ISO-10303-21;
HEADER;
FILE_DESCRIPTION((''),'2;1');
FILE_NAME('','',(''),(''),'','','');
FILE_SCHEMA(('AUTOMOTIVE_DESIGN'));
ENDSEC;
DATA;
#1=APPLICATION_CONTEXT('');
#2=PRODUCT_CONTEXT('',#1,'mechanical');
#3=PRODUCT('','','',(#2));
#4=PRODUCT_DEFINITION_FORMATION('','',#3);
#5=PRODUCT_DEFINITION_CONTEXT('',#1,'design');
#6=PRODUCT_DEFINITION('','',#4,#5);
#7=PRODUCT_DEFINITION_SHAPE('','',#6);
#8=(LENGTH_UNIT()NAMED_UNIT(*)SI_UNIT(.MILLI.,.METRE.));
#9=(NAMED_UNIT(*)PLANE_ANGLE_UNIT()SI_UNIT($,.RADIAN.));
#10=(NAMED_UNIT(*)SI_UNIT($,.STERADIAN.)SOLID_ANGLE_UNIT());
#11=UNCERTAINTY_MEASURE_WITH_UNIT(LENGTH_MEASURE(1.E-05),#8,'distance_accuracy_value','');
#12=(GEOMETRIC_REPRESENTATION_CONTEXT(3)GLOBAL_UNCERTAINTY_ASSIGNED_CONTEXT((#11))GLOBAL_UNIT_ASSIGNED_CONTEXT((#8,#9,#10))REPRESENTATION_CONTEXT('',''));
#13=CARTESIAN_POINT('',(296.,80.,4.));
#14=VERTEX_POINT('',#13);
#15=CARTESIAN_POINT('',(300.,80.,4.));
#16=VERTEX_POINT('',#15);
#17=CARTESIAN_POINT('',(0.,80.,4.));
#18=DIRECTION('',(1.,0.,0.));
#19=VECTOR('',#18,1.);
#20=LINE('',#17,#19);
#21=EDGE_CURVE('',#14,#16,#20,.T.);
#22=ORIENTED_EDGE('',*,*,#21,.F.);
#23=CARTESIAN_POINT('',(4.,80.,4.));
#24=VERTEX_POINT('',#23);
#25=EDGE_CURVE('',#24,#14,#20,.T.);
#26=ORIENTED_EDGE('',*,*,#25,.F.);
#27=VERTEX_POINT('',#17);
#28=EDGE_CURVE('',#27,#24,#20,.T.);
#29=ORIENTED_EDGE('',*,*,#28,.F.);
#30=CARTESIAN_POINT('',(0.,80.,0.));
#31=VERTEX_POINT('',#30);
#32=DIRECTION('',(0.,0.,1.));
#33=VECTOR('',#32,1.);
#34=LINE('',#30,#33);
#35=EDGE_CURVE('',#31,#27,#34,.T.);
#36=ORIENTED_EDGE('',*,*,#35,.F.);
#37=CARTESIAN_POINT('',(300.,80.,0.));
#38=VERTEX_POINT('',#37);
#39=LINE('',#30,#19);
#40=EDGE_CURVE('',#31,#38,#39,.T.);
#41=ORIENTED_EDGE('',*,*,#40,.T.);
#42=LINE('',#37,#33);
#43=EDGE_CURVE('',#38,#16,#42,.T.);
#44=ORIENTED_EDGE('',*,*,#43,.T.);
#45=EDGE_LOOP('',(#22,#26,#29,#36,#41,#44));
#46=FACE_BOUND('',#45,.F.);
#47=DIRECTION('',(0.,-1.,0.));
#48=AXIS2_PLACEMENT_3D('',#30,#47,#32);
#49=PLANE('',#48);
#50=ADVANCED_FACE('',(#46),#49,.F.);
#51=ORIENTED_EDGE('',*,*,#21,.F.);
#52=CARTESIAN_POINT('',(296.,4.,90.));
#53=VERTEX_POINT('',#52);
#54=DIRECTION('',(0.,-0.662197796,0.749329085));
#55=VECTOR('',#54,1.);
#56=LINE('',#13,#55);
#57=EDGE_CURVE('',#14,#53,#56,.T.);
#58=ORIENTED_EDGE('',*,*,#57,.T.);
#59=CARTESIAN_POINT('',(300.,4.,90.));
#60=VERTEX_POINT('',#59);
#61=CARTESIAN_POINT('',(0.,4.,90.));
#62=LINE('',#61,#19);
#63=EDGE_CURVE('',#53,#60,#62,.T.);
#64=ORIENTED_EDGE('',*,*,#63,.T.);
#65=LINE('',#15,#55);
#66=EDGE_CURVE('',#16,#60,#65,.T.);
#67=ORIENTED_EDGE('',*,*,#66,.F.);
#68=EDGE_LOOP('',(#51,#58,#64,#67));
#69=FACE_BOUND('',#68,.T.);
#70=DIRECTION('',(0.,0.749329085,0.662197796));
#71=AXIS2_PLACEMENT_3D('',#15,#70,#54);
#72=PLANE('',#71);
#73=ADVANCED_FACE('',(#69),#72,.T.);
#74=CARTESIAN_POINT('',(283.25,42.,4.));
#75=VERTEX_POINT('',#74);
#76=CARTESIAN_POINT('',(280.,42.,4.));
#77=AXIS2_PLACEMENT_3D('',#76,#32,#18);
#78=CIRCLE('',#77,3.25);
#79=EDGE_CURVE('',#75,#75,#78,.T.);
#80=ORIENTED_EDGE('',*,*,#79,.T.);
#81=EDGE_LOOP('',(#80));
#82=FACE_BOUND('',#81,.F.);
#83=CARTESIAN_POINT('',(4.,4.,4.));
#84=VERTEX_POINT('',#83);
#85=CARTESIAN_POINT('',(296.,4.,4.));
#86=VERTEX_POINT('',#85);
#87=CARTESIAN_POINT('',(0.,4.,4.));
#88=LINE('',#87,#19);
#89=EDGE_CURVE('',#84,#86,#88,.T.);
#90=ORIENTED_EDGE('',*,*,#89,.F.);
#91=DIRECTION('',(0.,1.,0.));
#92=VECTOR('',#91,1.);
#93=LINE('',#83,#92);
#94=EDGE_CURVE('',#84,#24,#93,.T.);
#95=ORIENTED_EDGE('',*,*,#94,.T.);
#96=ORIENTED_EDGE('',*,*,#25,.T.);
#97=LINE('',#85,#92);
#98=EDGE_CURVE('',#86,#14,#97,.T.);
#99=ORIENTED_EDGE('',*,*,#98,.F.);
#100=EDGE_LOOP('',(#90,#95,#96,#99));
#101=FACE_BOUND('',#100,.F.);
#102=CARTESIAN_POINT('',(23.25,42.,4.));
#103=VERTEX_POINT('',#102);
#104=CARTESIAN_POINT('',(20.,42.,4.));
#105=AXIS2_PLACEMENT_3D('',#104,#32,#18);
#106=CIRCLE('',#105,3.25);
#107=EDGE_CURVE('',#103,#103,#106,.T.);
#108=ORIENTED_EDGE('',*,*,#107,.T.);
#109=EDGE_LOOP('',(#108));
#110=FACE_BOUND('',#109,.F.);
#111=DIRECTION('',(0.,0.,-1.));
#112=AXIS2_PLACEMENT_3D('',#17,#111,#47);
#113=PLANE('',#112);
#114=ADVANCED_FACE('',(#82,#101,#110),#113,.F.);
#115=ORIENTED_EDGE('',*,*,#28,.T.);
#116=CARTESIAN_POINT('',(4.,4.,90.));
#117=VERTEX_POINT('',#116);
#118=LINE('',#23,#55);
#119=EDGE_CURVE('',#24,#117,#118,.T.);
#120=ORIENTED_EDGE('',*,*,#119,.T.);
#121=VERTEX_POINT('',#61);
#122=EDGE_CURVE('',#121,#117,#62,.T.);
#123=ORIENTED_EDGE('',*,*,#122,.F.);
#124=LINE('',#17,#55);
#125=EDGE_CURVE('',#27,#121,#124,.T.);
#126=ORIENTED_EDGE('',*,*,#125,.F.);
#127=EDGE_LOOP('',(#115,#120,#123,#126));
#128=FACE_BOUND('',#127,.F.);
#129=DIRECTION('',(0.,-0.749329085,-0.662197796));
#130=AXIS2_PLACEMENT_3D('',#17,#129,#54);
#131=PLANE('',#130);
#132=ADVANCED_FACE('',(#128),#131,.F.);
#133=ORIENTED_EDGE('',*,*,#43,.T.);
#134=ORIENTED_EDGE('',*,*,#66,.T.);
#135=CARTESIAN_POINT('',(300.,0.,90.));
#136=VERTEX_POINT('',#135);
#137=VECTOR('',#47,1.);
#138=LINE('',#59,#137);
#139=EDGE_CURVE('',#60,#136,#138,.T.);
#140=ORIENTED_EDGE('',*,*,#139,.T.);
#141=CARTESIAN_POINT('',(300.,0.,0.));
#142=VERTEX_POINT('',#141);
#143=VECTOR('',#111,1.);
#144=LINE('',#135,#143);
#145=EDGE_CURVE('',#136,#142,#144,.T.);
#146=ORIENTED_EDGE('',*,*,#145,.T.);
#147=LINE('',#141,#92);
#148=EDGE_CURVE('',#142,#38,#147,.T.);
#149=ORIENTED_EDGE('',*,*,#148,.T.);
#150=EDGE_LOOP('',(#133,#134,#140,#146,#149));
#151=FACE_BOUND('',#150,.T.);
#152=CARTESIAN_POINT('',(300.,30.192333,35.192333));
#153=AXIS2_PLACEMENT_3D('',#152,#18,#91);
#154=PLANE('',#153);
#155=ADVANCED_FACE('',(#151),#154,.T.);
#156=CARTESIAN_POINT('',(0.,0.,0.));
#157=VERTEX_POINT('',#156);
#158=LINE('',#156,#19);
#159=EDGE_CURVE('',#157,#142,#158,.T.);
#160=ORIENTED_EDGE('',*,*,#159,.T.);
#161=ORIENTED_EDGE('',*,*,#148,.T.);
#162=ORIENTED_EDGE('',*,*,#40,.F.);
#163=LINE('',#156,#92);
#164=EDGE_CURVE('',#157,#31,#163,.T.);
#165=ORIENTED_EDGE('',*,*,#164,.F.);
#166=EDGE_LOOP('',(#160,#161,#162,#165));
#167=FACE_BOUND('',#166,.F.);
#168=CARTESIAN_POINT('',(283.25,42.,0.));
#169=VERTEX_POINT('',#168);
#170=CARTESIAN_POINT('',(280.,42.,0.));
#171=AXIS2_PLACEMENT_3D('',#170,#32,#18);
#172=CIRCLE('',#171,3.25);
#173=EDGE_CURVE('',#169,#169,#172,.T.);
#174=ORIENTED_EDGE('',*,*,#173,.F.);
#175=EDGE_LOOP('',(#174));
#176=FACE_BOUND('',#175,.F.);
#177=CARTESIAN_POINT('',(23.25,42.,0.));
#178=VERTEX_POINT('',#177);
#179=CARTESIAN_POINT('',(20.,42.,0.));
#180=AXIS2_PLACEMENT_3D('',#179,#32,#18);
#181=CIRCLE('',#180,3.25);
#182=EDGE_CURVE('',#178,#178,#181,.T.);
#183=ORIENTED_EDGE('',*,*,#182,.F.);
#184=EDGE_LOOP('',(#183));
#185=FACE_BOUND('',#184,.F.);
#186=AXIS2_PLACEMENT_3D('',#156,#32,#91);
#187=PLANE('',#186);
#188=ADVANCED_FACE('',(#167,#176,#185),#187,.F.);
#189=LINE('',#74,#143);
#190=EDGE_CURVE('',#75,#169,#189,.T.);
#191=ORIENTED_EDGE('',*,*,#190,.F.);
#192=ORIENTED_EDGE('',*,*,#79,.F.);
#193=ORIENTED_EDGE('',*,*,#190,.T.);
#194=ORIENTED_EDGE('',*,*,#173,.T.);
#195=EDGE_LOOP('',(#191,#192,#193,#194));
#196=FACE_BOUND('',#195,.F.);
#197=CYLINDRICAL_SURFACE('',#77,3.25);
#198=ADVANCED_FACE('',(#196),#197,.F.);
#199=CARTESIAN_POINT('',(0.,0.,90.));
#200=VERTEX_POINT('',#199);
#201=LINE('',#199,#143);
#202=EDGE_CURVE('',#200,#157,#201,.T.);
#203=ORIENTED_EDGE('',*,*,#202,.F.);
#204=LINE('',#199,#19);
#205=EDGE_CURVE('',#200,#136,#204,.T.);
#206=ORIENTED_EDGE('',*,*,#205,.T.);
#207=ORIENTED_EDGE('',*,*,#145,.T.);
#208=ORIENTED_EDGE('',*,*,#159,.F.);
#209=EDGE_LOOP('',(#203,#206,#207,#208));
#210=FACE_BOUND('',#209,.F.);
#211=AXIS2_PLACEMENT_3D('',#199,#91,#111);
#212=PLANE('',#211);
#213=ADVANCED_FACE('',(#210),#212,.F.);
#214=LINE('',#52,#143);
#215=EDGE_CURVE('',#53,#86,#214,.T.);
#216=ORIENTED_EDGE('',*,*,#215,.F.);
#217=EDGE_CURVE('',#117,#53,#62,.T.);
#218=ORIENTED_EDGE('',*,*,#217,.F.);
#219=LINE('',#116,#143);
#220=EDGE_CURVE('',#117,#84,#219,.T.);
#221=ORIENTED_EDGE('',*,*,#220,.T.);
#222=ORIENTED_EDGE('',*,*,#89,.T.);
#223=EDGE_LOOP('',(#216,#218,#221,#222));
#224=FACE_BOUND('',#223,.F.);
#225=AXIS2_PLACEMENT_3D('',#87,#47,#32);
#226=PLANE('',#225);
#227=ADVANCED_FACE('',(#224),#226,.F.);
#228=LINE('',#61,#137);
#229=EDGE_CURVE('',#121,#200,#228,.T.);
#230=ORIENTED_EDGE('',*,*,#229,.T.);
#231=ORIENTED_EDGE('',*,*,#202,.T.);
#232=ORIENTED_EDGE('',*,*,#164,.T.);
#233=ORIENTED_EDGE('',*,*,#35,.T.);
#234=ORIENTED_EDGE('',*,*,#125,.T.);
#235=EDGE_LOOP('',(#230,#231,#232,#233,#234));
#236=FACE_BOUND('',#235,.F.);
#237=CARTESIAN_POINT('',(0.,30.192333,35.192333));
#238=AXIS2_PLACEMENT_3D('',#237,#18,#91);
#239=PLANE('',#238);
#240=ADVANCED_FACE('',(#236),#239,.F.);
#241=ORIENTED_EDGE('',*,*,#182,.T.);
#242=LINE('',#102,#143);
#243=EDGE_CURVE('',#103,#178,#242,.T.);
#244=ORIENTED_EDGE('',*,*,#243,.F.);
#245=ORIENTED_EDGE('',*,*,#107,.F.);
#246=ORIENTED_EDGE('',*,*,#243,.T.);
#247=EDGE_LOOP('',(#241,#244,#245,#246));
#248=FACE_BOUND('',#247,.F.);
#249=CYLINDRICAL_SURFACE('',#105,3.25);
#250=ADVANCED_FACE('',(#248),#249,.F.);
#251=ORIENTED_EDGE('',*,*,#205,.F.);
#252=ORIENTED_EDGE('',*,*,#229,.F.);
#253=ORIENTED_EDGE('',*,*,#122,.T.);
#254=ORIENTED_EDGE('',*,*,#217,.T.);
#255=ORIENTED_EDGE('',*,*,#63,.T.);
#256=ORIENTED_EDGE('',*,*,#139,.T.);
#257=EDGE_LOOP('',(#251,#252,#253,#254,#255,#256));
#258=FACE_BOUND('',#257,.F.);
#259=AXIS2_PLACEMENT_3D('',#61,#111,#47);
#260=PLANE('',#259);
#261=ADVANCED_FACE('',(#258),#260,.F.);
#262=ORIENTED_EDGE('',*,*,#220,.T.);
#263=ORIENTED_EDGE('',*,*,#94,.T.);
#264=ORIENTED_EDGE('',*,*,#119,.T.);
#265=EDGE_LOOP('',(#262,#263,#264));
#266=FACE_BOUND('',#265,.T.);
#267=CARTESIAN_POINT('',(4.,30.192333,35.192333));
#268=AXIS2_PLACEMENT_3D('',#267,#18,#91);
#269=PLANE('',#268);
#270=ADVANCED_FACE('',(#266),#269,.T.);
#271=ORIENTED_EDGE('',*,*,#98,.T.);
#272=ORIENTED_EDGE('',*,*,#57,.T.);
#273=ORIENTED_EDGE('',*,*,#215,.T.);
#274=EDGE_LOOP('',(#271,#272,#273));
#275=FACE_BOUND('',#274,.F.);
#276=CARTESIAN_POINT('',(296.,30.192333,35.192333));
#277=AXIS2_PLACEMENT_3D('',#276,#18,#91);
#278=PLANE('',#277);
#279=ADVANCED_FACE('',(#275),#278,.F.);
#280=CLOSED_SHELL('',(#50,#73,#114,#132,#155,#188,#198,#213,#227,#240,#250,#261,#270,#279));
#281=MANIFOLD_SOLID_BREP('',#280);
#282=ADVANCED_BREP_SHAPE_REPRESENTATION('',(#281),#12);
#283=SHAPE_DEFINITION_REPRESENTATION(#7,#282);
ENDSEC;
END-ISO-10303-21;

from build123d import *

# Parameters (mm, degrees)
F1_DEPTH = 300
F2_R     = 3.25
F3_DEPTH = 25
F5_DEPTH = 4
F8_DEPTH = 4


with BuildPart() as f1:
    # F0 (on Right) → F1 (new body)
    with BuildSketch(Plane.YZ):
        Polygon((0, 90), (0, 0), (80, 0), (80, 4), (4, 4), (4, 90), align=None)
    extrude(amount=F1_DEPTH)

    # F2 (on face) → F3 (cut)
    with BuildSketch(Plane.XY.offset(4)):
        with Locations((20, 42)):
            Circle(F2_R)
        with Locations((280, 42)):
            Circle(F2_R)
    extrude(amount=-F3_DEPTH, mode=Mode.SUBTRACT)

    # F4 (on Right) → F5 (join)
    with BuildSketch(Plane.YZ):
        Polygon((4, 4), (80, 4), (4, 90), align=None)
    extrude(amount=F5_DEPTH)

    # F7 (on offset) → F8 (join)
    with BuildSketch(Plane.YZ.offset(300)):
        Polygon((80, 4), (4, 90), (4, 4), align=None)
    extrude(amount=-F8_DEPTH)


solid = f1.part
